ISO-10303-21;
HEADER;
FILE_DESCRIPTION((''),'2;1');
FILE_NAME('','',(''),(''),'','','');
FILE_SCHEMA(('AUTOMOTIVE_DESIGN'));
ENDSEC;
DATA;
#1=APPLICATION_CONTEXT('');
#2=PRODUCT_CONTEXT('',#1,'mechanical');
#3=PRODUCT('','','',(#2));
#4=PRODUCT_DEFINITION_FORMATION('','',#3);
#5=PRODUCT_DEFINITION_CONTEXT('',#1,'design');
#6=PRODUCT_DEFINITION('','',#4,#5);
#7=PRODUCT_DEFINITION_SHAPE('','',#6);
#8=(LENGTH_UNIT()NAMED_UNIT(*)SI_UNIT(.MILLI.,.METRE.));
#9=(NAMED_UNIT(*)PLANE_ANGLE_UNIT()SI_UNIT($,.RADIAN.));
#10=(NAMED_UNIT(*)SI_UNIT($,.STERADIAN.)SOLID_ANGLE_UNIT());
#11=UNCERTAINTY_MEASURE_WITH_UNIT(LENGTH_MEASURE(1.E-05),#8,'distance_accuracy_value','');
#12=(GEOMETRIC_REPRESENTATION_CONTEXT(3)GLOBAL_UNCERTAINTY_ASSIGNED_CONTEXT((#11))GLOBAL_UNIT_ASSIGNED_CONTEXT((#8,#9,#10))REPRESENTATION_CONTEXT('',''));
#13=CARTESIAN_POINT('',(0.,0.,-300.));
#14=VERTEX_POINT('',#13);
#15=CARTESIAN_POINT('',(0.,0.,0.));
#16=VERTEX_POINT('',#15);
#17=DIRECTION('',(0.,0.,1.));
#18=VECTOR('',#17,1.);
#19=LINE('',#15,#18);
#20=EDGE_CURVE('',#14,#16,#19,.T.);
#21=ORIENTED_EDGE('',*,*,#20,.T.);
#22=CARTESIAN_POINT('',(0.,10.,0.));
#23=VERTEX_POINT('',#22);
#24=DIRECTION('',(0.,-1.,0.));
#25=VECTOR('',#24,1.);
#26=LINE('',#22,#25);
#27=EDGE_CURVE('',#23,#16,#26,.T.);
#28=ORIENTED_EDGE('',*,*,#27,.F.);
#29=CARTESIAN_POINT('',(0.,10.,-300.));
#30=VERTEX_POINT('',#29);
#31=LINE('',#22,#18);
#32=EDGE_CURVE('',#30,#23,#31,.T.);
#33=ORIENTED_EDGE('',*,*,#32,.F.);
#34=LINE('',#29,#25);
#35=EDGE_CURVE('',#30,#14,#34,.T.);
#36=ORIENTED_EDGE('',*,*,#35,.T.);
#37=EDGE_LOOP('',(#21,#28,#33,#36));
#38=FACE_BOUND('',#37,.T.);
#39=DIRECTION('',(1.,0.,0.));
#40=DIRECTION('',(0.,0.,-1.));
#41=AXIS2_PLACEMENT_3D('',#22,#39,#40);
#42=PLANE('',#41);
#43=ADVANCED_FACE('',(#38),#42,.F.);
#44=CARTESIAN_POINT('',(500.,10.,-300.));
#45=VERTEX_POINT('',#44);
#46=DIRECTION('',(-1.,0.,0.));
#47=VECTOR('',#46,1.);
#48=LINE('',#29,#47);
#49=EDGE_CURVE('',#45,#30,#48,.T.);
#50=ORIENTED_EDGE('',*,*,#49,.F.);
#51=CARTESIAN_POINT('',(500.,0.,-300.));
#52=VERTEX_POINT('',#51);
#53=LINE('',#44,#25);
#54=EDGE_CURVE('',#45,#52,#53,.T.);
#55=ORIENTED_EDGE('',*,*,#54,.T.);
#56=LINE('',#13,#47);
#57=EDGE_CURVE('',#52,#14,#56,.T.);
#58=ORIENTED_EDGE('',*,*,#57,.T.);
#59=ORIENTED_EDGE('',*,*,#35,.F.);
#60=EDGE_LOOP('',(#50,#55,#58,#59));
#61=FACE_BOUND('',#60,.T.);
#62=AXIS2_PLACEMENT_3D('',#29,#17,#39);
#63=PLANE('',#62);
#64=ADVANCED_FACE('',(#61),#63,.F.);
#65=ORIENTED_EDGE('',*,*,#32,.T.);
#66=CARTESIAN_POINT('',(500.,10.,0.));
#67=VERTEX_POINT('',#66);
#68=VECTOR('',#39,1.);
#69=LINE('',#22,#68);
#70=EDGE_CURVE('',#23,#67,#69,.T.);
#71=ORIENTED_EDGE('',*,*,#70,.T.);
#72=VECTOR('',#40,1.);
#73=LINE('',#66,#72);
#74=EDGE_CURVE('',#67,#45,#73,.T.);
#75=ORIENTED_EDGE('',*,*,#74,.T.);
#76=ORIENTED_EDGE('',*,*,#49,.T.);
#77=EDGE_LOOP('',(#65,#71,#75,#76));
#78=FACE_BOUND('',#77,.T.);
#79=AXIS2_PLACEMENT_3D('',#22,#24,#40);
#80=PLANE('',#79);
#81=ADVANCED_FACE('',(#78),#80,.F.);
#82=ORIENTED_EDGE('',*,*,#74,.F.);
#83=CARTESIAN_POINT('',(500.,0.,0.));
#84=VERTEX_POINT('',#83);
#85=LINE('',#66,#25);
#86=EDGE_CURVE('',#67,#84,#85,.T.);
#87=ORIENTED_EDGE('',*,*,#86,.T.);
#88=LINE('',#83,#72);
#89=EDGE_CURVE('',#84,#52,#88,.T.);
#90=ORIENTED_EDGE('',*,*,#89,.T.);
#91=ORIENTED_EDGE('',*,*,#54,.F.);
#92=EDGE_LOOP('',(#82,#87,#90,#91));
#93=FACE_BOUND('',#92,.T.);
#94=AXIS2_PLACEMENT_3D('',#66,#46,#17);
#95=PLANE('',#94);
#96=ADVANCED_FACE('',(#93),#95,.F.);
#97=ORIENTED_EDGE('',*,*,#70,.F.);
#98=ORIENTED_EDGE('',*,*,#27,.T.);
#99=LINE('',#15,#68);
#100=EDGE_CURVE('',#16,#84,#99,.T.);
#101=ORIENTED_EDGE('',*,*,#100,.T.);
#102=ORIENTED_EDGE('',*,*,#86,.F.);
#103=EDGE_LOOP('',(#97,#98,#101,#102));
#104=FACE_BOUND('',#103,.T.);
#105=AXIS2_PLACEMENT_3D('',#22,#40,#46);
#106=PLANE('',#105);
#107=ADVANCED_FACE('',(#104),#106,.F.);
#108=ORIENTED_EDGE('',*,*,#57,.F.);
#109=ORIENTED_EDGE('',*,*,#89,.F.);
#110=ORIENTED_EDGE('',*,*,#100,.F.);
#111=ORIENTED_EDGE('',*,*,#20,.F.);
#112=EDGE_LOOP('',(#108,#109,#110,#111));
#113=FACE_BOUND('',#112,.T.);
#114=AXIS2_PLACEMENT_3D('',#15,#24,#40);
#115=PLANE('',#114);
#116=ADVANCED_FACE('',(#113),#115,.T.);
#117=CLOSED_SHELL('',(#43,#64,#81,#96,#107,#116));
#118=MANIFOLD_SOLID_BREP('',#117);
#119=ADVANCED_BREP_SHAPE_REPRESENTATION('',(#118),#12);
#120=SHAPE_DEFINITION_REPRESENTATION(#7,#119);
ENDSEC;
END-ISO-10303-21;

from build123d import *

# Parameters (mm, degrees)
ESQUISSE1_W        = 500
ESQUISSE1_H        = 300
BOSS_EXTRU_1_DEPTH = 10


with BuildPart() as part:
    # Esquisse1 → Boss.-Extru.1 (new body)
    with BuildSketch(Plane(origin=(0, 0, 0), x_dir=(1, 0, 0), z_dir=(0, 1, 0))):
        with Locations((250, 150)):
            Rectangle(ESQUISSE1_W, ESQUISSE1_H)
    extrude(amount=BOSS_EXTRU_1_DEPTH)


solid = part.part
